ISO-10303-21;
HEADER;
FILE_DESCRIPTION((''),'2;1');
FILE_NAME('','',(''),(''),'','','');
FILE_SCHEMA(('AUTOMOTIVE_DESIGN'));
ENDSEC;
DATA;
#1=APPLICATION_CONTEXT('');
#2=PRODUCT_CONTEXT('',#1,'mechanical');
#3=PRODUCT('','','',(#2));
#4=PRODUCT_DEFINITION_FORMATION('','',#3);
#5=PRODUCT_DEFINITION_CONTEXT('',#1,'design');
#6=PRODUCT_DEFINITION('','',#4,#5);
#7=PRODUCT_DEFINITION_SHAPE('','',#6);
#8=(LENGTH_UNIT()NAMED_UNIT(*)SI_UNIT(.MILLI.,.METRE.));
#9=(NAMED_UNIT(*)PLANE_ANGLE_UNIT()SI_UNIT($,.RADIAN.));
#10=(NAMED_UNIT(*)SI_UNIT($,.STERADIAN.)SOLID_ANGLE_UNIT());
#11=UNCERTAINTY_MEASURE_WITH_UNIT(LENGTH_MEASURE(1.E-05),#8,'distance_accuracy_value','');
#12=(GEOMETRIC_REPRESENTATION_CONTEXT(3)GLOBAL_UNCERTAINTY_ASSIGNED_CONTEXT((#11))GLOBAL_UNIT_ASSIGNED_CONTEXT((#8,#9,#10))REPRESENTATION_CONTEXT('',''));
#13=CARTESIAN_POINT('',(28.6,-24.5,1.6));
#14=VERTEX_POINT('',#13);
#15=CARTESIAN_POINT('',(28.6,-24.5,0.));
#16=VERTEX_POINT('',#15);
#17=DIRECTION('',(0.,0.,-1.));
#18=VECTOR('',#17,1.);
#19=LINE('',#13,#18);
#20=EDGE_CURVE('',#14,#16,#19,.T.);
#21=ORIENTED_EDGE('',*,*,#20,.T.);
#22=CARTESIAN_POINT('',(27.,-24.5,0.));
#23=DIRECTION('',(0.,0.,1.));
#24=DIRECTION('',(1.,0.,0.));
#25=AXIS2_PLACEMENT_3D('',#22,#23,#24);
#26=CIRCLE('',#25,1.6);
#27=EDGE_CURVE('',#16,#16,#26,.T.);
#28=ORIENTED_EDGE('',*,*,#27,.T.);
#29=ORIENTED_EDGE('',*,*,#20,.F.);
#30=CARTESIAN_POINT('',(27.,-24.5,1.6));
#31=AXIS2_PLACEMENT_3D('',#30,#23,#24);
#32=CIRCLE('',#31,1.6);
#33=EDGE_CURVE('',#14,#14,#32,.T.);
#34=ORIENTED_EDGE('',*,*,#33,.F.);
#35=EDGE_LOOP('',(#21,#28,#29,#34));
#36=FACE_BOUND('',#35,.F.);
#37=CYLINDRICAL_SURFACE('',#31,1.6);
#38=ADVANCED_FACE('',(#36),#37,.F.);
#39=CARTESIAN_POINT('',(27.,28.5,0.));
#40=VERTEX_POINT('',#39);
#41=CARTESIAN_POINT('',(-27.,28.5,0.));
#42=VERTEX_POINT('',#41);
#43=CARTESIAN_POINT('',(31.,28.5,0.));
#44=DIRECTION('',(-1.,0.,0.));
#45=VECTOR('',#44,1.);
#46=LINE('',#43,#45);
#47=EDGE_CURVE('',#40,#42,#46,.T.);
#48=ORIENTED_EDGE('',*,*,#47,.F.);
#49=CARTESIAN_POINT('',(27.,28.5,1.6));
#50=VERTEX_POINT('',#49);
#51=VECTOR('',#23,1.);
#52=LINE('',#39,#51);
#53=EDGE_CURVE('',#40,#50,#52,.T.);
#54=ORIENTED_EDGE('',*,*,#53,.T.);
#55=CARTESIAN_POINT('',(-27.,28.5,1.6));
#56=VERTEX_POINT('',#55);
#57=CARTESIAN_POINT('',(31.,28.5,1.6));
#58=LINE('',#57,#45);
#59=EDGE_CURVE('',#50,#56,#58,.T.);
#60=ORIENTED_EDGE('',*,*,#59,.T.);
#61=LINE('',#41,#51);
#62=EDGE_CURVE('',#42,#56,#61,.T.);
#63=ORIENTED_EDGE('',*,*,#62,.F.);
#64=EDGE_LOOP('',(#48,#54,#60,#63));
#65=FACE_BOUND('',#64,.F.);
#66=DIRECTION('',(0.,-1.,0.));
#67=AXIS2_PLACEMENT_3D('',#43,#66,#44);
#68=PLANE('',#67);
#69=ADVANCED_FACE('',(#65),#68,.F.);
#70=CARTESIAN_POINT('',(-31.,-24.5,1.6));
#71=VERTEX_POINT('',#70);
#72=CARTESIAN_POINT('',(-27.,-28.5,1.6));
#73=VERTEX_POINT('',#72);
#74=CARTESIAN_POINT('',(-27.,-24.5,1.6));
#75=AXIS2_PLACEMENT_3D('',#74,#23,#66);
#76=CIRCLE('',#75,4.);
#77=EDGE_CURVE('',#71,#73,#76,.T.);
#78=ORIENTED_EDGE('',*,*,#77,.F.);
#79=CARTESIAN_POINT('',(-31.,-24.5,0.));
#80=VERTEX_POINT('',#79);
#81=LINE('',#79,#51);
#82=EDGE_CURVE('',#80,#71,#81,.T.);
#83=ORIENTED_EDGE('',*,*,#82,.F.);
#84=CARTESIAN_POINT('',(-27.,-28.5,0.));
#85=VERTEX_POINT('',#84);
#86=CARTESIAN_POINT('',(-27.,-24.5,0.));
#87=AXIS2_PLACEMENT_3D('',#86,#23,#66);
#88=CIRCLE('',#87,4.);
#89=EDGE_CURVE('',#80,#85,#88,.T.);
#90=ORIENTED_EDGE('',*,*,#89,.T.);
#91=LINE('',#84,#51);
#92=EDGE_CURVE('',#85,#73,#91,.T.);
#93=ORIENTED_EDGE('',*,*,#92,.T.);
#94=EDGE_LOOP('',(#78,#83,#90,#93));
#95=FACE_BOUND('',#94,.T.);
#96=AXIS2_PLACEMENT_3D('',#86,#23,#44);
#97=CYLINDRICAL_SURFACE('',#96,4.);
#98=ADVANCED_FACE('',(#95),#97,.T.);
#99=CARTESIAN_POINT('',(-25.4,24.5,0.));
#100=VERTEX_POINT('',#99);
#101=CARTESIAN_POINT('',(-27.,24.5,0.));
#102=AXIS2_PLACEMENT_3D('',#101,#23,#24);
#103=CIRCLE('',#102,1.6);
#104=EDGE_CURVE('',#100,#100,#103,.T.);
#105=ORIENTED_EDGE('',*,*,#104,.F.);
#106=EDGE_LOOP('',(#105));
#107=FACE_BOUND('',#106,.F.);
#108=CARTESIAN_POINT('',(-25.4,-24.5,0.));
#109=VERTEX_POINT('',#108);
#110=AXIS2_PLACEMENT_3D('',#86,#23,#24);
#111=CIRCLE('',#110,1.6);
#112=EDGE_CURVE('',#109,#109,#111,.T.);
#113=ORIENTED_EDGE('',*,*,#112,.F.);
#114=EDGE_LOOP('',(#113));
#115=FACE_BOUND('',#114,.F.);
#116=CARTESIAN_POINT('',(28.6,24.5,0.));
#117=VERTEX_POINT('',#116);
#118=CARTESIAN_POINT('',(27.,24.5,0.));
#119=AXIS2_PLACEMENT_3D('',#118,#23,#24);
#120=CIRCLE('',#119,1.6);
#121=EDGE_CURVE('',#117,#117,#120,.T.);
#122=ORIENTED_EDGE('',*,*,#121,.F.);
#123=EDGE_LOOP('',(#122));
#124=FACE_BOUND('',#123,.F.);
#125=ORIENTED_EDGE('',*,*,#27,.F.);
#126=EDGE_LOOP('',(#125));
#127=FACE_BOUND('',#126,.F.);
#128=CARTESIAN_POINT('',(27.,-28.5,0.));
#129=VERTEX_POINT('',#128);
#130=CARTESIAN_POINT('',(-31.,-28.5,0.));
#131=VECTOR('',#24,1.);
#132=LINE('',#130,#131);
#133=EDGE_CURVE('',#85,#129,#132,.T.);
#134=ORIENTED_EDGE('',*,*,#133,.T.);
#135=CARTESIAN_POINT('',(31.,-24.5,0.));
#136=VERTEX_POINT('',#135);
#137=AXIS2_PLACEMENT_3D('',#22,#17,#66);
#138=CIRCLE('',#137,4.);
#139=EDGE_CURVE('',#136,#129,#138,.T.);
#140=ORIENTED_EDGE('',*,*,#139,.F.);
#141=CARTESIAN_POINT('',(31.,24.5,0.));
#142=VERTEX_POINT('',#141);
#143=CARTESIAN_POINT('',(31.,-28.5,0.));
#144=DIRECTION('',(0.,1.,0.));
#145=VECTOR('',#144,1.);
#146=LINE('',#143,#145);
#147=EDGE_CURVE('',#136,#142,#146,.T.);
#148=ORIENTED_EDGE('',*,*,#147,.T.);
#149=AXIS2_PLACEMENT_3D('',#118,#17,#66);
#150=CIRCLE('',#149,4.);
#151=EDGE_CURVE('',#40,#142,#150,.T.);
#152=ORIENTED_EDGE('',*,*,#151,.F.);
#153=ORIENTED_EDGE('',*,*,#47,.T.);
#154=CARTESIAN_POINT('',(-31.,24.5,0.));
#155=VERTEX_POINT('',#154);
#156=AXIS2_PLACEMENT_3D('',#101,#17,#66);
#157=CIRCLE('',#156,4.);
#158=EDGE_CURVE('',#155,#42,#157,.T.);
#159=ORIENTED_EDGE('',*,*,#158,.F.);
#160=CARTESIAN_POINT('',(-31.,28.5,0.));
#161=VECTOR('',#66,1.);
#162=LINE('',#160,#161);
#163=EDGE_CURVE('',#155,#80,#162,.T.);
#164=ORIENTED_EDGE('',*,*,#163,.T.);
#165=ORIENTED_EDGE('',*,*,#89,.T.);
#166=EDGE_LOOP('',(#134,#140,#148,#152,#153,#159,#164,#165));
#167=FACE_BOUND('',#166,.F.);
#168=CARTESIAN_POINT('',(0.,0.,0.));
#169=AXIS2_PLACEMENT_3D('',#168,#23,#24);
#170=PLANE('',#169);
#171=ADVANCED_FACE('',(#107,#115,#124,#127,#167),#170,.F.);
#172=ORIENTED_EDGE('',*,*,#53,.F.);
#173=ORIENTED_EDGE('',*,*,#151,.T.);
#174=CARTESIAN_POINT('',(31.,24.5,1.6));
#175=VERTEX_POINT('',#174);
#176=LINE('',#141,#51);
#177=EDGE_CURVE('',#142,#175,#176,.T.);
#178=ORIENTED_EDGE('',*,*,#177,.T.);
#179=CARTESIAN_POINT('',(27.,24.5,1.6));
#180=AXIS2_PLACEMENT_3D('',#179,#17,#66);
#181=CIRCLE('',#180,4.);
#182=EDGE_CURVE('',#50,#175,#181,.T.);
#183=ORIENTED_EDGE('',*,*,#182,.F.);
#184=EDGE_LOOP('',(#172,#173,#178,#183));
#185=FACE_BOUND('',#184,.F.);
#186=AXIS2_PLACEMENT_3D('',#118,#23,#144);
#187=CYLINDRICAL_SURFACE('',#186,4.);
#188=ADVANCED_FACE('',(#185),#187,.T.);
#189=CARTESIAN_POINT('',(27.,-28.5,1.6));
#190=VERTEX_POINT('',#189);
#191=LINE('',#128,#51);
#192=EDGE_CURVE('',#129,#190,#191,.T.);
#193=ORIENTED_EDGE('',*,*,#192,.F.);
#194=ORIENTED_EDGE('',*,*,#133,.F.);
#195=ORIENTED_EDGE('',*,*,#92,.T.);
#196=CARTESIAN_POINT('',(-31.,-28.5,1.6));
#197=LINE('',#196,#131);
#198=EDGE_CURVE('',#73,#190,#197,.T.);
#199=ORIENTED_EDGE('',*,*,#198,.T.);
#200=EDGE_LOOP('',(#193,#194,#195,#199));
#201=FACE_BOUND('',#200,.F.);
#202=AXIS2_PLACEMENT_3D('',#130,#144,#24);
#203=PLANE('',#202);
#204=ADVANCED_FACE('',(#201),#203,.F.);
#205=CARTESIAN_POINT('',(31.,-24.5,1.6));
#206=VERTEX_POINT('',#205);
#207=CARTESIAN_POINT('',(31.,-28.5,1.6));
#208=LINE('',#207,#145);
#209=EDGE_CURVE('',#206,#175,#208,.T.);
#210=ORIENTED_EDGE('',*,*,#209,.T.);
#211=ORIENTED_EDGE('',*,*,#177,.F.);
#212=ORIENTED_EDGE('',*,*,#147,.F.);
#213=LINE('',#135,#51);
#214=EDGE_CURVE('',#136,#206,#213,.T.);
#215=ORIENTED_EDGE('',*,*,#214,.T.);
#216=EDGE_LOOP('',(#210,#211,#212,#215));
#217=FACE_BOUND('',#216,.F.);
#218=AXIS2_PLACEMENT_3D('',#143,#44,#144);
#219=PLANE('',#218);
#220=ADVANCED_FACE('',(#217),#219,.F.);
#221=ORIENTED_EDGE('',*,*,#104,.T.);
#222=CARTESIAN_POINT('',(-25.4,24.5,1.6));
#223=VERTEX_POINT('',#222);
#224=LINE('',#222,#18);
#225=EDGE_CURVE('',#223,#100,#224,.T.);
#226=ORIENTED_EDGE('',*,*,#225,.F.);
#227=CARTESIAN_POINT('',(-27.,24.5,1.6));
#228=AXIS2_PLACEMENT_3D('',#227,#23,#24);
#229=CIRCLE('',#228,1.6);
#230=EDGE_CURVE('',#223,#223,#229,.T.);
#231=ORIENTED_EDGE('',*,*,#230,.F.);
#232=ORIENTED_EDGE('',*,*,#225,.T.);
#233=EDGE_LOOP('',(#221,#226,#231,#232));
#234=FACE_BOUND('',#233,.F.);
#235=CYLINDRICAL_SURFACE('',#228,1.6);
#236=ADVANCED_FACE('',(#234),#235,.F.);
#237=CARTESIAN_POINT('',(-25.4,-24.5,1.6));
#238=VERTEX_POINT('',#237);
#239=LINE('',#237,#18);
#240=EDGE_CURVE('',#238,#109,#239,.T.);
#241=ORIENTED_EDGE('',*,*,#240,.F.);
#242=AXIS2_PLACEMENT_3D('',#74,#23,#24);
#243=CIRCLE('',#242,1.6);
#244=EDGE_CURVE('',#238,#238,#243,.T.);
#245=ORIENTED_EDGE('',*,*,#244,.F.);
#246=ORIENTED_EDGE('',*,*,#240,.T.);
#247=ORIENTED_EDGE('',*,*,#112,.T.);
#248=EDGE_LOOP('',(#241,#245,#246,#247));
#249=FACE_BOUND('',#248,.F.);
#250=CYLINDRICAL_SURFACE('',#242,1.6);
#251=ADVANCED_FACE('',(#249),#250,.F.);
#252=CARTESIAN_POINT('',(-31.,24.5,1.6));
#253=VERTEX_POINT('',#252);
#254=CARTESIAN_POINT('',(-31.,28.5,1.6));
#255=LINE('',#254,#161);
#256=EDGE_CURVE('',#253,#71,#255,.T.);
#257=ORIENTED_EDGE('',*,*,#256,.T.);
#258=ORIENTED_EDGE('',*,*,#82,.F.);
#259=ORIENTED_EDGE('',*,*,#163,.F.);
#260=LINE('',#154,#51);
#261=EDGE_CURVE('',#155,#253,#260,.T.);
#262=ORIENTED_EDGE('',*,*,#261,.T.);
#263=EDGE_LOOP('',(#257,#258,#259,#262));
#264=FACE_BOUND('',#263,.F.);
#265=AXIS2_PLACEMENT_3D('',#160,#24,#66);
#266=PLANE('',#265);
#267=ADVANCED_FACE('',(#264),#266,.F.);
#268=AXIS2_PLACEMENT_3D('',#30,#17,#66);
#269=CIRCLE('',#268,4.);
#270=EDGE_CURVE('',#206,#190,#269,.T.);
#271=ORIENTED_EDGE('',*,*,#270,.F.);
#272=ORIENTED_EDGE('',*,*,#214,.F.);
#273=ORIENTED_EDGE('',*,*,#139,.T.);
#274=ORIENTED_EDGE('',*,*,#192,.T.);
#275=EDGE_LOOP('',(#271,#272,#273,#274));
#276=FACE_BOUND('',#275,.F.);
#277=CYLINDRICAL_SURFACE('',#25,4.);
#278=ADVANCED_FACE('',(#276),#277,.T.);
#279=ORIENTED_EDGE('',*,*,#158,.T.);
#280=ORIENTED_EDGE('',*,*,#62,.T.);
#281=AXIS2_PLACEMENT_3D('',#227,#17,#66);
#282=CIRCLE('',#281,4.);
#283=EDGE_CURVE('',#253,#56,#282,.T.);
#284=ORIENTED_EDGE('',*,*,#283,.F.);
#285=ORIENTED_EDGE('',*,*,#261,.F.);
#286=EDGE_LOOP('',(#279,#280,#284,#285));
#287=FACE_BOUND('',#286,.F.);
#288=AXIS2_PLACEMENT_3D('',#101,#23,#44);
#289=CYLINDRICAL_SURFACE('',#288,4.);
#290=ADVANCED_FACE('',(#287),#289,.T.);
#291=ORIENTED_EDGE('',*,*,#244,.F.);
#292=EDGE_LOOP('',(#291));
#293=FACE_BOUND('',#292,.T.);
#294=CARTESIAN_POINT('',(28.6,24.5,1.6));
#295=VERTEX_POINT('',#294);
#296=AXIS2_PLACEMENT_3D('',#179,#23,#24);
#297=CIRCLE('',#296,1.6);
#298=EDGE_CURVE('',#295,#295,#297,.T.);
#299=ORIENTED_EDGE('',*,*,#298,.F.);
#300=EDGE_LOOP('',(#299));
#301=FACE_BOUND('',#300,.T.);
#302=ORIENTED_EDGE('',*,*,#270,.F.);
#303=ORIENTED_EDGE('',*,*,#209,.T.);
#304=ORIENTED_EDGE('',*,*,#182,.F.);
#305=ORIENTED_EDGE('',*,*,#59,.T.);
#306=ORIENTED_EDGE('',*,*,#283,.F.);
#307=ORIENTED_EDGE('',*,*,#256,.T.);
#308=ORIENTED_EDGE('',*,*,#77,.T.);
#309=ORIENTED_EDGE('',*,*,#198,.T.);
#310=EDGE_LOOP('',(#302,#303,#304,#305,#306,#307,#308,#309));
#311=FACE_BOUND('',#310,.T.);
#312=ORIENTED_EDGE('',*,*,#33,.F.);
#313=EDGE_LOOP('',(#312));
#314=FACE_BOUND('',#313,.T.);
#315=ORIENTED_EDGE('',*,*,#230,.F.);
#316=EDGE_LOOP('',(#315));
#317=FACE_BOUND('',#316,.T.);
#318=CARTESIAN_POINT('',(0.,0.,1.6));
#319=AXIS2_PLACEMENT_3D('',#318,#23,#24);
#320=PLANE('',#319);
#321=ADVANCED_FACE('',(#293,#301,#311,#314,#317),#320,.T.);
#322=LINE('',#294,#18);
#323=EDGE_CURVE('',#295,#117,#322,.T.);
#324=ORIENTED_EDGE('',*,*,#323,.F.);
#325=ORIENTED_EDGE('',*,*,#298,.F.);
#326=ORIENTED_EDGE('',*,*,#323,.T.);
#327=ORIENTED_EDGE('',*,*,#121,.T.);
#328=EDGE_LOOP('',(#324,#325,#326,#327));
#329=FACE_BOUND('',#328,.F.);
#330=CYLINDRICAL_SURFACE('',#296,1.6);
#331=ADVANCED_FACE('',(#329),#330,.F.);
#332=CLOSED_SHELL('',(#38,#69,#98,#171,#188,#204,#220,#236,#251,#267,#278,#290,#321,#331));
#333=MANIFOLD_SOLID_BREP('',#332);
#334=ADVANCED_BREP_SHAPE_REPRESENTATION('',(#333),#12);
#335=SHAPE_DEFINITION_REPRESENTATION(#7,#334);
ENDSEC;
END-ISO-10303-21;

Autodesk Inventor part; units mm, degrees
ref_plane "YZ Plane" through (0, 0, 0) normal (1, 0, 0) x (0, 1, 0)
ref_plane "XZ Plane" through (0, 0, 0) normal (0, 1, 0) x (-1, 0, 0)
ref_plane "XY Plane" through (0, 0, 0) normal (0, 0, 1) x (1, 0, 0)
sketch "Sketch1" plane through (0, 0, 0) normal (0, 0, 1) x (1, 0, 0)
  line L0 (-31, -28.5) -> (31, -28.5)
  line L1 (31, -28.5) -> (31, 28.5)
  line L2 (31, 28.5) -> (-31, 28.5)
  line L3 (-31, 28.5) -> (-31, -28.5)
  line L4 (-31, -28.5) -> (31, 28.5) construction
  line L5 (31, -28.5) -> (-31, 28.5) construction
  point P0 (0, 0)
  dimension "d0" = 62
  dimension "d1" = 57
extrude "Extrusion1" add sketch "Sketch1" along normal blind 1.6
fillet "Fillet1" radius 4 4 edges at (31, 28.5, 0.8) (-31, 28.5, 0.8) (-31, -28.5, 0.8) (31, -28.5, 0.8)
sketch "Sketch2" plane through (0, 0, 1.6) normal (0, 0, 1) x (1, 0, 0)
  circle A0 centre (-27, 24.5) radius 1.6
  line L0 (-43.4, 0) -> (43.4, 0) projected
  line L1 (0, -39.9) -> (0, 39.9) construction
  line L2 (-31, 24.5) -> (-31, -24.5) construction
  line L3 (27, 28.5) -> (-27, 28.5) construction
  circle A1 centre (27, 24.5) radius 1.6
  circle A2 centre (-27, -24.5) radius 1.6
  line L4 (27, -28.5) -> (-27, -28.5) construction
  circle A3 centre (27, -24.5) radius 1.6
  point P0 (0, 0)
  dimension "d5" = 4
  dimension "d6" = 4
  dimension "d7" = 3.2
extrude "Extrusion2" cut sketch "Sketch2" against normal through all
sketch "Sketch3" plane through (0, 0, 1.6) normal (0, 0, 1) x (1, 0, 0)
  circle A0 centre (-27, -24.5) radius 1.6 projected
  circle A1 centre (27, 24.5) radius 1.6 projected
  circle A2 centre (27, -24.5) radius 1.6 projected
  circle A3 centre (-27, 24.5) radius 1.6 projected
  arc A4 (27, -28.5) -> (31, -24.5) centre (27, -24.5) ccw projected
  line L0 (31, -24.5) -> (31, 24.5) projected
  arc A5 (31, 24.5) -> (27, 28.5) centre (27, 24.5) ccw projected
  line L1 (27, 28.5) -> (-27, 28.5) projected
  arc A6 (-27, 28.5) -> (-31, 24.5) centre (-27, 24.5) ccw projected
  line L2 (-31, 24.5) -> (-31, -24.5) projected
  arc A7 (-31, -24.5) -> (-27, -28.5) centre (-27, -24.5) ccw projected
  line L3 (-27, -28.5) -> (27, -28.5) projected
  point P0 (0, 0)
equation "\"d6\" = d5"
properties part number "Controller_PCB"
